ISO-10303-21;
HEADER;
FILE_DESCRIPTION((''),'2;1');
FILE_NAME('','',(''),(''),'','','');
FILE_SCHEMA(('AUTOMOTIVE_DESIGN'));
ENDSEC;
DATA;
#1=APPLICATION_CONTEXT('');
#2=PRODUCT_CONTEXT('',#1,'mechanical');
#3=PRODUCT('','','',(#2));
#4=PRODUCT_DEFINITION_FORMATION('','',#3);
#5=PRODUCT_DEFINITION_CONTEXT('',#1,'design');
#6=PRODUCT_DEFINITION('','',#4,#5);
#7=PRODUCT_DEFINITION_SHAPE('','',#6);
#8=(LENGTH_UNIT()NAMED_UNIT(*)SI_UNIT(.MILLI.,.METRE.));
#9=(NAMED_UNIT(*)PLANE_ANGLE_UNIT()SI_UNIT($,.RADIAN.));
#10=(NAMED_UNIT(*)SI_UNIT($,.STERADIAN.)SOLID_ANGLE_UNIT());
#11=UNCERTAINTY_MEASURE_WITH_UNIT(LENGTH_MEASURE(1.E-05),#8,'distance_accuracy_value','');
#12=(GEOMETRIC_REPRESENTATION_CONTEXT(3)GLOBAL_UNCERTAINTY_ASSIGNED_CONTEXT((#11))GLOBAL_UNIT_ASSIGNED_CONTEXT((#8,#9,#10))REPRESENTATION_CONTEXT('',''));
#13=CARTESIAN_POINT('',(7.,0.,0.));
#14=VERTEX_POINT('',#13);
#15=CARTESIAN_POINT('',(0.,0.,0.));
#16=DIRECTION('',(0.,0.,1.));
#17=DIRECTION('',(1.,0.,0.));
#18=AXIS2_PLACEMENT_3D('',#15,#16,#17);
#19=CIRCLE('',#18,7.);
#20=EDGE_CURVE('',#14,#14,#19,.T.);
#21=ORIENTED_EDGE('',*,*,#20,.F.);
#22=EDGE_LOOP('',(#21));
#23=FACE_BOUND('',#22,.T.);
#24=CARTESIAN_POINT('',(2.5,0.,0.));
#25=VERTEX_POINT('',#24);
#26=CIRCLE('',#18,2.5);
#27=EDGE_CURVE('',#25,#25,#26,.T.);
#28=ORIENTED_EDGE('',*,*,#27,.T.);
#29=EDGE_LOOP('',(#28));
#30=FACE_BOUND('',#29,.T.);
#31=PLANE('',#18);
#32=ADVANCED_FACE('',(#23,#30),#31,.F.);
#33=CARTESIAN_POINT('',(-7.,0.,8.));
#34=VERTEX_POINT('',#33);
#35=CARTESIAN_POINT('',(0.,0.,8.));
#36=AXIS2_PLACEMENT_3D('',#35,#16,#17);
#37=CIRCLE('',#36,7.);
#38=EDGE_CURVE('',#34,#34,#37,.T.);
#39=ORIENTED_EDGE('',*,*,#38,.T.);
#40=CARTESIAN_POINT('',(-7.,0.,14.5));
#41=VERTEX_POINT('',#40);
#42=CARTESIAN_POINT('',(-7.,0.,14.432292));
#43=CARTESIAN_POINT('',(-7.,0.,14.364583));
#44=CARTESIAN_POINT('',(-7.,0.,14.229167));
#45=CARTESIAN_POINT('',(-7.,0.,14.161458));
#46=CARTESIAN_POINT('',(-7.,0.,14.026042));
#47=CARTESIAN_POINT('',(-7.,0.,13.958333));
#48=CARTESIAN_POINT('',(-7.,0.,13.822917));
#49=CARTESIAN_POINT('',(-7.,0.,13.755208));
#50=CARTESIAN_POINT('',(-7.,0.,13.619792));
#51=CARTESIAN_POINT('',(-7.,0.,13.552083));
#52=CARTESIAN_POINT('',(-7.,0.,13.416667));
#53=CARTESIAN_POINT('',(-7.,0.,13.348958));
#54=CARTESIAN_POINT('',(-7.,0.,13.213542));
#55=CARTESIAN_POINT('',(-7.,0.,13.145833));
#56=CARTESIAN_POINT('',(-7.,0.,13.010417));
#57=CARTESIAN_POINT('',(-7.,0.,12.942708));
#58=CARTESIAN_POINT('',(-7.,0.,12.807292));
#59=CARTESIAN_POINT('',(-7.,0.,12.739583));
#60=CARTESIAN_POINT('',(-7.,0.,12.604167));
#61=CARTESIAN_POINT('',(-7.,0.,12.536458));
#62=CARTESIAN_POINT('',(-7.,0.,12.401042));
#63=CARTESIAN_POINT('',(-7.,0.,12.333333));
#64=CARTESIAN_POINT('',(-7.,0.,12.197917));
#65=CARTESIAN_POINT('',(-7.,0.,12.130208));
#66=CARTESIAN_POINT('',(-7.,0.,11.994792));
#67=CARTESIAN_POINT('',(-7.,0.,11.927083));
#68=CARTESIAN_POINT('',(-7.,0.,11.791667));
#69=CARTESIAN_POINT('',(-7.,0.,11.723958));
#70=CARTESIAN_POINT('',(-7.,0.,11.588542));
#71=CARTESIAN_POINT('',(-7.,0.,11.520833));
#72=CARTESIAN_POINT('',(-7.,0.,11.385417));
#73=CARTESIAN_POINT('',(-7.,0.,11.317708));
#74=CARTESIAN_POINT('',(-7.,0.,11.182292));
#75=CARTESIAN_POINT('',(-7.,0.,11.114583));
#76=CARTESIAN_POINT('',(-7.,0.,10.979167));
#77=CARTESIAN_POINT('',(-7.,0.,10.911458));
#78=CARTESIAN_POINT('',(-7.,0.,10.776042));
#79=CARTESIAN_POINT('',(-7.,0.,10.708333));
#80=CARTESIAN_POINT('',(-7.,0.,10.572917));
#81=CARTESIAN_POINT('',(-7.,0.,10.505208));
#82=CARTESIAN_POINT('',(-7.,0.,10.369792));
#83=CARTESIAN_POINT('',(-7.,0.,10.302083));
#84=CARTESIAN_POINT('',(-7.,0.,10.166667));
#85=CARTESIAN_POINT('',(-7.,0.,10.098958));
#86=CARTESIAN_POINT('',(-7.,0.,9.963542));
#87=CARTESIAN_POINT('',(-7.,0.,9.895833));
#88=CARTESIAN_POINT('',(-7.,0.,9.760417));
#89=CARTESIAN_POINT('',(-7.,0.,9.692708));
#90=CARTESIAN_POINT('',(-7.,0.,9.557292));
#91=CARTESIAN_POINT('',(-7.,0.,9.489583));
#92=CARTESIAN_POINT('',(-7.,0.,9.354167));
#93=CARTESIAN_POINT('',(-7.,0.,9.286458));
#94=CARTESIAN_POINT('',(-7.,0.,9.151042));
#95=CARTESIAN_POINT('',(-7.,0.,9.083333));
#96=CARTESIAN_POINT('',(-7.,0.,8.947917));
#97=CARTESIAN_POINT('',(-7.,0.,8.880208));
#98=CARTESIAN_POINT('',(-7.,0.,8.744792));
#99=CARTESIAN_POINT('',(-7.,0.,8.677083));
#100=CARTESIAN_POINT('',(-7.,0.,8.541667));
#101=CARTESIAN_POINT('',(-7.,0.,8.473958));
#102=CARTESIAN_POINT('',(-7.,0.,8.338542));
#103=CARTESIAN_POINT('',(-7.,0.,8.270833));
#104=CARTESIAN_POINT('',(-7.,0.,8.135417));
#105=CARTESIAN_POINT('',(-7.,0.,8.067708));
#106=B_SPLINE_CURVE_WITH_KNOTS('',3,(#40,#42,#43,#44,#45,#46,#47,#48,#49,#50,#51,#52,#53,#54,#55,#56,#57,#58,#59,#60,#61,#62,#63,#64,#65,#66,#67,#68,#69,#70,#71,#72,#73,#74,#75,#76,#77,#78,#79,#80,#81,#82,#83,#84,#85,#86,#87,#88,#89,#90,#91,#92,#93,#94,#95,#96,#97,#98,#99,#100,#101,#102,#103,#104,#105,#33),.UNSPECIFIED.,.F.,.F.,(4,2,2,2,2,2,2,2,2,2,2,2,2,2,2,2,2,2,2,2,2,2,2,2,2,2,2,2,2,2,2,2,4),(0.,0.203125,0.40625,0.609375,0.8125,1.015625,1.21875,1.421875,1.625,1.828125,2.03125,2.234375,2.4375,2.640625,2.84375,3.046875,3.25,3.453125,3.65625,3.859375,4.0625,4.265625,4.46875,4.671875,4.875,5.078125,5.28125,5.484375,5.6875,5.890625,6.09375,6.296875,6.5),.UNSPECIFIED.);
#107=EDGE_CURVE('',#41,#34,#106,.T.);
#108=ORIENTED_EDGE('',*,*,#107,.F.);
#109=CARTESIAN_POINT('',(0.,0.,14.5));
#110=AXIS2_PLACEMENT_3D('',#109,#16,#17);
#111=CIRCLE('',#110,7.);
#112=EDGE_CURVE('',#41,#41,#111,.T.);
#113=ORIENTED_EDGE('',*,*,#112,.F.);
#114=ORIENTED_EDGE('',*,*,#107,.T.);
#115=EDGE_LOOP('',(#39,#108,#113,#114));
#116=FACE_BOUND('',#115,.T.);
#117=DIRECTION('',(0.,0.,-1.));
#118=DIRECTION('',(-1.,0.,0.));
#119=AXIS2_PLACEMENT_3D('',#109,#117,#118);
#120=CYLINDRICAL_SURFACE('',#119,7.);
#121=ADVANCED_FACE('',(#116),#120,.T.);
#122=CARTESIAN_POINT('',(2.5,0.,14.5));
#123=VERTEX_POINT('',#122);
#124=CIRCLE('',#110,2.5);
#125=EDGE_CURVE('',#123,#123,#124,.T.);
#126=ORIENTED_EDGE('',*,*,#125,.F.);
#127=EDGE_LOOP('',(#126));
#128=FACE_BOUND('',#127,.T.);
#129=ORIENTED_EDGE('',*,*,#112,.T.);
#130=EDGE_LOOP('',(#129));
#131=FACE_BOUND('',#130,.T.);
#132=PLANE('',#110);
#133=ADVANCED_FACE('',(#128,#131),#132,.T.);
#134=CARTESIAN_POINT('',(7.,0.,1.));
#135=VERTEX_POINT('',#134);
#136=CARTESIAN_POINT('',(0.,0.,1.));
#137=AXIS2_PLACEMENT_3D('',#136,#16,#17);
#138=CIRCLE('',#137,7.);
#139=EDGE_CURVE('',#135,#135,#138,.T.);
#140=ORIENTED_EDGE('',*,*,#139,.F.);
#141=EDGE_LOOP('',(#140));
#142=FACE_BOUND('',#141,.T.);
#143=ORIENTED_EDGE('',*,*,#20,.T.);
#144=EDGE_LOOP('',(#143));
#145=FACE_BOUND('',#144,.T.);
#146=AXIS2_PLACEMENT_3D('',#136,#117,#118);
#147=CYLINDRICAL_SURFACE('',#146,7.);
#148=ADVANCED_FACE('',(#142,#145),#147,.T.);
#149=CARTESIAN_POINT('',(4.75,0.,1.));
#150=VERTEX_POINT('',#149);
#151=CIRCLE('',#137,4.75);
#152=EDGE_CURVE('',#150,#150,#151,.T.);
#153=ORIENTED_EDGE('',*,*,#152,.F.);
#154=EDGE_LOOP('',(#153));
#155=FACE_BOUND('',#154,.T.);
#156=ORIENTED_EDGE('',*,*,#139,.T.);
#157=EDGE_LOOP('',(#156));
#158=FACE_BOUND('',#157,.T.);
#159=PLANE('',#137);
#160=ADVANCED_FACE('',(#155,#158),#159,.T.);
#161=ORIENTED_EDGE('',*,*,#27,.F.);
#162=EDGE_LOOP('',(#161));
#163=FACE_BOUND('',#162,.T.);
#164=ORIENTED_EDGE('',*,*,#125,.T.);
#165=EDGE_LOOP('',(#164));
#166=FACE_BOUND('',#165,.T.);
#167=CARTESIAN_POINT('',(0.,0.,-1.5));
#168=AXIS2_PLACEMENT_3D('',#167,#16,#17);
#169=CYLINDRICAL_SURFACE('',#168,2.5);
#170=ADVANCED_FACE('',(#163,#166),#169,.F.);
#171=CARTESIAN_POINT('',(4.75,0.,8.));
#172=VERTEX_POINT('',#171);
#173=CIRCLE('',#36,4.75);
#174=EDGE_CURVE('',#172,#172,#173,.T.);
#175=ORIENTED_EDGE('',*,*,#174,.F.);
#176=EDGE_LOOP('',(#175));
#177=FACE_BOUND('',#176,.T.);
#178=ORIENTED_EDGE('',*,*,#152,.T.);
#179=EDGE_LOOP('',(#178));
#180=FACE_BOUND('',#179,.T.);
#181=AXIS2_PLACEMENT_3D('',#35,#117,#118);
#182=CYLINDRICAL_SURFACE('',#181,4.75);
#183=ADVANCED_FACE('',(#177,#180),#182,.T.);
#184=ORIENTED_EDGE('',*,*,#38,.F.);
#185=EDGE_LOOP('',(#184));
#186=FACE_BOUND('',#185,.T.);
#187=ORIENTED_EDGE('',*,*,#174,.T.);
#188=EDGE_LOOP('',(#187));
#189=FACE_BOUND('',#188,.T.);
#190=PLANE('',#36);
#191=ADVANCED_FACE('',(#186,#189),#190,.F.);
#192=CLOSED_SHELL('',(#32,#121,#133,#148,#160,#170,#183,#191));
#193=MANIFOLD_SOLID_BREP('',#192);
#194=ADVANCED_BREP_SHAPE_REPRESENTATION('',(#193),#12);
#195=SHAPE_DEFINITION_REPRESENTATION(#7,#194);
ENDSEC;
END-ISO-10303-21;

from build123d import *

# Parameters (mm, degrees)
SKETCH_1_R          = 7
EXTRUDE_1_DEPTH     = 1
SKETCH_2_R          = 4.75
EXTRUDE_2_DEPTH     = 7
SKETCH_3_R          = 7
EXTRUDE_3_DEPTH     = 6.5
SKETCH_4_R          = 2.5
CUT_EXTRUDE_1_DEPTH = 16


with BuildPart() as part:
    # 草图1 → 凸台-拉伸1 (new body)
    with BuildSketch(Plane.XY):
        Circle(SKETCH_1_R)
    extrude(amount=EXTRUDE_1_DEPTH)

    # 草图2 → 凸台-拉伸2 (add)
    with BuildSketch(Plane.XY.offset(1)):
        Circle(SKETCH_2_R)
    extrude(amount=EXTRUDE_2_DEPTH)

    # 草图3 → 凸台-拉伸3 (add)
    with BuildSketch(Plane.XY.offset(8)):
        Circle(SKETCH_3_R)
    extrude(amount=EXTRUDE_3_DEPTH)

    # 草图4 → 切除-拉伸1 (cut)
    with BuildSketch(Plane.XY.offset(14.5)):
        Circle(SKETCH_4_R)
    extrude(amount=-CUT_EXTRUDE_1_DEPTH, mode=Mode.SUBTRACT)


solid = part.part
